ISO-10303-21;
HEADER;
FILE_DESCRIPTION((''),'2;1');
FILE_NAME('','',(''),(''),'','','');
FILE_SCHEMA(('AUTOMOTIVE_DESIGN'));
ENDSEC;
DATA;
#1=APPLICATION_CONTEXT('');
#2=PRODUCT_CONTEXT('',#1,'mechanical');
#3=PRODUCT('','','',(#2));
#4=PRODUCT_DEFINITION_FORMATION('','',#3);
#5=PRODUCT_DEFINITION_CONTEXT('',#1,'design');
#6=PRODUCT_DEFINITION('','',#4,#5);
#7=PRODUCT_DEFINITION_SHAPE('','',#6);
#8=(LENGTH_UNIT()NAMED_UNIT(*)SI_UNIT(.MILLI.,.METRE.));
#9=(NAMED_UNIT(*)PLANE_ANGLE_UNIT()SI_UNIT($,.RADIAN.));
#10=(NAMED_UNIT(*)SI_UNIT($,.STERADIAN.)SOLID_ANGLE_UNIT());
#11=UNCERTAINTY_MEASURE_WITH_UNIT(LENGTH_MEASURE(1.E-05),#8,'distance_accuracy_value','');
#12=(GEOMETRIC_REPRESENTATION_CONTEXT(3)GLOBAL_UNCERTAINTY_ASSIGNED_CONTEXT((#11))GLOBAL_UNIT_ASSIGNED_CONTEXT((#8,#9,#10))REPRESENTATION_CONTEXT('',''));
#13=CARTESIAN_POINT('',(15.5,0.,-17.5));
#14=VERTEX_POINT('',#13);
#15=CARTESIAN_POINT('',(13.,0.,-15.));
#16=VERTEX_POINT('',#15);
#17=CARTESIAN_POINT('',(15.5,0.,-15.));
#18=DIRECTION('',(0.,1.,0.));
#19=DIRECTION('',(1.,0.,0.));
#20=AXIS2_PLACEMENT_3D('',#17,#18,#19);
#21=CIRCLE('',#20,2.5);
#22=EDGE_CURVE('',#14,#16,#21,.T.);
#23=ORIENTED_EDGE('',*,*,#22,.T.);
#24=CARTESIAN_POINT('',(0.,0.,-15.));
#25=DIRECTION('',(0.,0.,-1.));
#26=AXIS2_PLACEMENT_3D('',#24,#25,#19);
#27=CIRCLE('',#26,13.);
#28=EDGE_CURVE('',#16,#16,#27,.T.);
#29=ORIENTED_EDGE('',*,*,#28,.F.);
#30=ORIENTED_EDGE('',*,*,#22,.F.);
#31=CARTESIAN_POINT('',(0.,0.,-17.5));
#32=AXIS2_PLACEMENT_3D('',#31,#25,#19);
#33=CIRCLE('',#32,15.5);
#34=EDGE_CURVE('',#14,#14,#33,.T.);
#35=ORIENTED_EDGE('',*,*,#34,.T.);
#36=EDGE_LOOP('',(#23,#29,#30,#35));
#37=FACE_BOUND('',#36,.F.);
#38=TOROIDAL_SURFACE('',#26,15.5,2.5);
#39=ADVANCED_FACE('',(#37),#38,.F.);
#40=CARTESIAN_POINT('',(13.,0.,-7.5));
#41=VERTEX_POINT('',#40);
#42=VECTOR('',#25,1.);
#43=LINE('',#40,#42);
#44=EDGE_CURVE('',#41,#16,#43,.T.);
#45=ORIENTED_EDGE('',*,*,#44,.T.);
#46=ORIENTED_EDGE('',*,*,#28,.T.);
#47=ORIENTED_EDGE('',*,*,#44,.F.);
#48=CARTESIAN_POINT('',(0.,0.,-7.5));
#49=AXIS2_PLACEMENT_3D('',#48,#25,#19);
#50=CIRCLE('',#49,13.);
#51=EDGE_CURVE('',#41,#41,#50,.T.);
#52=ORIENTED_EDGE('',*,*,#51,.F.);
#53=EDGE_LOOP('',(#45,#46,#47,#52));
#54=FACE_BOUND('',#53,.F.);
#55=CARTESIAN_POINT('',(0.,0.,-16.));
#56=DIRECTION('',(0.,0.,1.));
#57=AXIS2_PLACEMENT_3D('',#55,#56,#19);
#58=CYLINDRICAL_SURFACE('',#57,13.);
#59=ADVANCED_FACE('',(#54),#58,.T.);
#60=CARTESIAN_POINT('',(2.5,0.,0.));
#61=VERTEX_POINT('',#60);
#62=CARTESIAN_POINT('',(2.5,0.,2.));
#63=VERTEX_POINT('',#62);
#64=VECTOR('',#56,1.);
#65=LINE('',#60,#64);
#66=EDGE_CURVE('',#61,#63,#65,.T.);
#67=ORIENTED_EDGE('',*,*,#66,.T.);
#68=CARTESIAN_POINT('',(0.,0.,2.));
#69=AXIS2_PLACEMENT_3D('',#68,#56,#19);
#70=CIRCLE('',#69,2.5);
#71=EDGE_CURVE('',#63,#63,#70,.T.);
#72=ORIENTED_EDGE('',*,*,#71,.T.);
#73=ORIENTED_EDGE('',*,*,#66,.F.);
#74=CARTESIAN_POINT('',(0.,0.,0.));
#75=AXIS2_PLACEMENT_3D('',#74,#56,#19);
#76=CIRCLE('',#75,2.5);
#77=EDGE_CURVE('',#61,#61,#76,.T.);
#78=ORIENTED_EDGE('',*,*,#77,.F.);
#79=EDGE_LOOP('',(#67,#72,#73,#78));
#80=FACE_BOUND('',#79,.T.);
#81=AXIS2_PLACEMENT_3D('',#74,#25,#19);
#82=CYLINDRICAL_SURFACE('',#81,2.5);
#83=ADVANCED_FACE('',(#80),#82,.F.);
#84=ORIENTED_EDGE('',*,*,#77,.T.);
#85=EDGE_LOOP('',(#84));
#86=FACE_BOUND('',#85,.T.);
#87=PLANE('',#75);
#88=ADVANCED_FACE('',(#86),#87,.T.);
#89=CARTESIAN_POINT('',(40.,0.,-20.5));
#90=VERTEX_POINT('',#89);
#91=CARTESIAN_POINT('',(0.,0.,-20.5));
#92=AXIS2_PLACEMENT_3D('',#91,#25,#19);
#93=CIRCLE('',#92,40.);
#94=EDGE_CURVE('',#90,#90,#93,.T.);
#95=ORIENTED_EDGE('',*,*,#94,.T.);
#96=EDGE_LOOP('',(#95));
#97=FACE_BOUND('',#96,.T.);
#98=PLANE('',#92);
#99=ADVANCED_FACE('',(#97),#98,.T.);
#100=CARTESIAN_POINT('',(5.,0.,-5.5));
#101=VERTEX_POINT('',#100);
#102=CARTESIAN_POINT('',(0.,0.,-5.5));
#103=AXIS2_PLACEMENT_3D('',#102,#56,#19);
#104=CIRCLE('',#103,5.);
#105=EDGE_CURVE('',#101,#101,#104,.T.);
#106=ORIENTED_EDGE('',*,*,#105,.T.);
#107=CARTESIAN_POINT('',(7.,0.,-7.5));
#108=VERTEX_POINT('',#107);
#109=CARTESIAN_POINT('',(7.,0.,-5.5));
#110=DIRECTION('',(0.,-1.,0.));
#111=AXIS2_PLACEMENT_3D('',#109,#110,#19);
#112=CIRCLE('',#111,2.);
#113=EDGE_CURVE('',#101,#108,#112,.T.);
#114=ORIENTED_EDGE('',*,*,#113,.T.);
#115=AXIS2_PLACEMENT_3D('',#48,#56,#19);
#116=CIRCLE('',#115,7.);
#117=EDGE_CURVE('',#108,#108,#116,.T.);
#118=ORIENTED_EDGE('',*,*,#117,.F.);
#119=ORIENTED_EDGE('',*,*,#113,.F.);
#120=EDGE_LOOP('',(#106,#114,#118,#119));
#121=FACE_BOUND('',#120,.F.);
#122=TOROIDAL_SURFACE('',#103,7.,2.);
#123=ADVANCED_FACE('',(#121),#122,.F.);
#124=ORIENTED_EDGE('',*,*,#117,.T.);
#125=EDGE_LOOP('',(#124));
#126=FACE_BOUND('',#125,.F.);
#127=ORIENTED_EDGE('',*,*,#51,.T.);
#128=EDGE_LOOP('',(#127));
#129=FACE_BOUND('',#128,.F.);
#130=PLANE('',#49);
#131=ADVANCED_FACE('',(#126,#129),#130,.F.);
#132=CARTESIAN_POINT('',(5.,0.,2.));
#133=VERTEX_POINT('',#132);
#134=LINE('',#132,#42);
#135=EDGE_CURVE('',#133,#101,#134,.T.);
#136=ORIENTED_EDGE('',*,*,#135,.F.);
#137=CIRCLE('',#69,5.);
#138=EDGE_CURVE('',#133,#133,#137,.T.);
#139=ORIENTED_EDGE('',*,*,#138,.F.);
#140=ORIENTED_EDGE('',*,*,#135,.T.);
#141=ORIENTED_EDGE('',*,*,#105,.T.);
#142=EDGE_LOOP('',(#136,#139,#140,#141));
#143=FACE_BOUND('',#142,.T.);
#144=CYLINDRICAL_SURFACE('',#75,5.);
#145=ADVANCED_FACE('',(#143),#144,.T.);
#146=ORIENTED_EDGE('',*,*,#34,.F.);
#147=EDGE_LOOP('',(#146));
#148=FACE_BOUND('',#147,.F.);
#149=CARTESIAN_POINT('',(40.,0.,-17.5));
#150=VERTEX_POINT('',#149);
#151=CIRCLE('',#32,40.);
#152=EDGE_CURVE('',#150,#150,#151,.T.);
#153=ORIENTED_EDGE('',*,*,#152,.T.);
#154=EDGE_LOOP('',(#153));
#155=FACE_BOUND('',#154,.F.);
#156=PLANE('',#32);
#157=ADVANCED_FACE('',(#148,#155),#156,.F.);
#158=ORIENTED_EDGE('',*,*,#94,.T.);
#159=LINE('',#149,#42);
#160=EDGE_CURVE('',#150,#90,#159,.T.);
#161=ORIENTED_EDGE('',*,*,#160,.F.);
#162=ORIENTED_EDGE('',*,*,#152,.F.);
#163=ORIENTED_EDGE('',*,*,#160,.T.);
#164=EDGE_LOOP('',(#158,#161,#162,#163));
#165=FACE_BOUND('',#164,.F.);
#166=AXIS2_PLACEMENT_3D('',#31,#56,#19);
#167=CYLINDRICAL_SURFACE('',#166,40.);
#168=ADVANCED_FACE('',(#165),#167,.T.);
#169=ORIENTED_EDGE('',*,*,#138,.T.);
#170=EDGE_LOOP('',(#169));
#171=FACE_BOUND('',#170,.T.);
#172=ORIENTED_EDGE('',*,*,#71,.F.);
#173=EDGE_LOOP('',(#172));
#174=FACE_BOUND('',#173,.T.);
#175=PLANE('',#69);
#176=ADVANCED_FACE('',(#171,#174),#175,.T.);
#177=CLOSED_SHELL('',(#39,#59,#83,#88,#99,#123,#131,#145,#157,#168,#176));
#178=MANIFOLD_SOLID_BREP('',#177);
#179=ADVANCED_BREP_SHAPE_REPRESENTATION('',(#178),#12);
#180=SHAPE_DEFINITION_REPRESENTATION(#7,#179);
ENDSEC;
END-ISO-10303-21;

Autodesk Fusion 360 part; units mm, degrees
sketch "Sketch1" plane through (0, 0, 0) normal (0, 0, 1) x (1, 0, 0)
  circle A0 centre (0, 0) radius 2.5
  circle A1 centre (0, 0) radius 5
  dimension "d1" = 5
  dimension "d2" = 10
extrude "Extrude1" add sketch "Sketch1" along normal blind 2
extrude "Extrude2" add sketch "Sketch1" against normal blind 5.5 contours A0 | A1
sketch "Sketch2" plane through (0, 0, -5.5) normal (0, 0, -1) x (1, 0, 0)
  circle A0 centre (0, 0) radius 5
  circle A1 centre (0, 0) radius 13
  dimension "d7" = 26
extrude "Extrude3" add sketch "Sketch2" along normal blind 5 contours A0 | A1
extrude "Extrude4" cut 1 faces at (10.2663, 0.8943, -5.5) along direction (0, 0, -1) blind 2
fillet "Fillet1" radius 2 1 edges at (-4.6616, -1.8081, -7.5)
extrude "Extrude5" add 1 faces at (2.1667, -3.7528, -10.5) along direction (0, 0, -1) blind 5.5
extrude "Extrude6" add 1 faces at (2.1667, -3.7528, -16) along direction (0, 0, -1) blind 1.5
sketch "Sketch3" plane through (0, 0, -17.5) normal (0, 0, -1) x (1, 0, 0)
  circle A0 centre (0, 0) radius 13
  circle A1 centre (0, 0) radius 40
  dimension "d18" = 80
extrude "Extrude7" add sketch "Sketch3" along normal blind 3 contours A0 | A1
fillet "Fillet2" radius 2.5 1 edges at (-12.1203, 4.701, -17.5)
